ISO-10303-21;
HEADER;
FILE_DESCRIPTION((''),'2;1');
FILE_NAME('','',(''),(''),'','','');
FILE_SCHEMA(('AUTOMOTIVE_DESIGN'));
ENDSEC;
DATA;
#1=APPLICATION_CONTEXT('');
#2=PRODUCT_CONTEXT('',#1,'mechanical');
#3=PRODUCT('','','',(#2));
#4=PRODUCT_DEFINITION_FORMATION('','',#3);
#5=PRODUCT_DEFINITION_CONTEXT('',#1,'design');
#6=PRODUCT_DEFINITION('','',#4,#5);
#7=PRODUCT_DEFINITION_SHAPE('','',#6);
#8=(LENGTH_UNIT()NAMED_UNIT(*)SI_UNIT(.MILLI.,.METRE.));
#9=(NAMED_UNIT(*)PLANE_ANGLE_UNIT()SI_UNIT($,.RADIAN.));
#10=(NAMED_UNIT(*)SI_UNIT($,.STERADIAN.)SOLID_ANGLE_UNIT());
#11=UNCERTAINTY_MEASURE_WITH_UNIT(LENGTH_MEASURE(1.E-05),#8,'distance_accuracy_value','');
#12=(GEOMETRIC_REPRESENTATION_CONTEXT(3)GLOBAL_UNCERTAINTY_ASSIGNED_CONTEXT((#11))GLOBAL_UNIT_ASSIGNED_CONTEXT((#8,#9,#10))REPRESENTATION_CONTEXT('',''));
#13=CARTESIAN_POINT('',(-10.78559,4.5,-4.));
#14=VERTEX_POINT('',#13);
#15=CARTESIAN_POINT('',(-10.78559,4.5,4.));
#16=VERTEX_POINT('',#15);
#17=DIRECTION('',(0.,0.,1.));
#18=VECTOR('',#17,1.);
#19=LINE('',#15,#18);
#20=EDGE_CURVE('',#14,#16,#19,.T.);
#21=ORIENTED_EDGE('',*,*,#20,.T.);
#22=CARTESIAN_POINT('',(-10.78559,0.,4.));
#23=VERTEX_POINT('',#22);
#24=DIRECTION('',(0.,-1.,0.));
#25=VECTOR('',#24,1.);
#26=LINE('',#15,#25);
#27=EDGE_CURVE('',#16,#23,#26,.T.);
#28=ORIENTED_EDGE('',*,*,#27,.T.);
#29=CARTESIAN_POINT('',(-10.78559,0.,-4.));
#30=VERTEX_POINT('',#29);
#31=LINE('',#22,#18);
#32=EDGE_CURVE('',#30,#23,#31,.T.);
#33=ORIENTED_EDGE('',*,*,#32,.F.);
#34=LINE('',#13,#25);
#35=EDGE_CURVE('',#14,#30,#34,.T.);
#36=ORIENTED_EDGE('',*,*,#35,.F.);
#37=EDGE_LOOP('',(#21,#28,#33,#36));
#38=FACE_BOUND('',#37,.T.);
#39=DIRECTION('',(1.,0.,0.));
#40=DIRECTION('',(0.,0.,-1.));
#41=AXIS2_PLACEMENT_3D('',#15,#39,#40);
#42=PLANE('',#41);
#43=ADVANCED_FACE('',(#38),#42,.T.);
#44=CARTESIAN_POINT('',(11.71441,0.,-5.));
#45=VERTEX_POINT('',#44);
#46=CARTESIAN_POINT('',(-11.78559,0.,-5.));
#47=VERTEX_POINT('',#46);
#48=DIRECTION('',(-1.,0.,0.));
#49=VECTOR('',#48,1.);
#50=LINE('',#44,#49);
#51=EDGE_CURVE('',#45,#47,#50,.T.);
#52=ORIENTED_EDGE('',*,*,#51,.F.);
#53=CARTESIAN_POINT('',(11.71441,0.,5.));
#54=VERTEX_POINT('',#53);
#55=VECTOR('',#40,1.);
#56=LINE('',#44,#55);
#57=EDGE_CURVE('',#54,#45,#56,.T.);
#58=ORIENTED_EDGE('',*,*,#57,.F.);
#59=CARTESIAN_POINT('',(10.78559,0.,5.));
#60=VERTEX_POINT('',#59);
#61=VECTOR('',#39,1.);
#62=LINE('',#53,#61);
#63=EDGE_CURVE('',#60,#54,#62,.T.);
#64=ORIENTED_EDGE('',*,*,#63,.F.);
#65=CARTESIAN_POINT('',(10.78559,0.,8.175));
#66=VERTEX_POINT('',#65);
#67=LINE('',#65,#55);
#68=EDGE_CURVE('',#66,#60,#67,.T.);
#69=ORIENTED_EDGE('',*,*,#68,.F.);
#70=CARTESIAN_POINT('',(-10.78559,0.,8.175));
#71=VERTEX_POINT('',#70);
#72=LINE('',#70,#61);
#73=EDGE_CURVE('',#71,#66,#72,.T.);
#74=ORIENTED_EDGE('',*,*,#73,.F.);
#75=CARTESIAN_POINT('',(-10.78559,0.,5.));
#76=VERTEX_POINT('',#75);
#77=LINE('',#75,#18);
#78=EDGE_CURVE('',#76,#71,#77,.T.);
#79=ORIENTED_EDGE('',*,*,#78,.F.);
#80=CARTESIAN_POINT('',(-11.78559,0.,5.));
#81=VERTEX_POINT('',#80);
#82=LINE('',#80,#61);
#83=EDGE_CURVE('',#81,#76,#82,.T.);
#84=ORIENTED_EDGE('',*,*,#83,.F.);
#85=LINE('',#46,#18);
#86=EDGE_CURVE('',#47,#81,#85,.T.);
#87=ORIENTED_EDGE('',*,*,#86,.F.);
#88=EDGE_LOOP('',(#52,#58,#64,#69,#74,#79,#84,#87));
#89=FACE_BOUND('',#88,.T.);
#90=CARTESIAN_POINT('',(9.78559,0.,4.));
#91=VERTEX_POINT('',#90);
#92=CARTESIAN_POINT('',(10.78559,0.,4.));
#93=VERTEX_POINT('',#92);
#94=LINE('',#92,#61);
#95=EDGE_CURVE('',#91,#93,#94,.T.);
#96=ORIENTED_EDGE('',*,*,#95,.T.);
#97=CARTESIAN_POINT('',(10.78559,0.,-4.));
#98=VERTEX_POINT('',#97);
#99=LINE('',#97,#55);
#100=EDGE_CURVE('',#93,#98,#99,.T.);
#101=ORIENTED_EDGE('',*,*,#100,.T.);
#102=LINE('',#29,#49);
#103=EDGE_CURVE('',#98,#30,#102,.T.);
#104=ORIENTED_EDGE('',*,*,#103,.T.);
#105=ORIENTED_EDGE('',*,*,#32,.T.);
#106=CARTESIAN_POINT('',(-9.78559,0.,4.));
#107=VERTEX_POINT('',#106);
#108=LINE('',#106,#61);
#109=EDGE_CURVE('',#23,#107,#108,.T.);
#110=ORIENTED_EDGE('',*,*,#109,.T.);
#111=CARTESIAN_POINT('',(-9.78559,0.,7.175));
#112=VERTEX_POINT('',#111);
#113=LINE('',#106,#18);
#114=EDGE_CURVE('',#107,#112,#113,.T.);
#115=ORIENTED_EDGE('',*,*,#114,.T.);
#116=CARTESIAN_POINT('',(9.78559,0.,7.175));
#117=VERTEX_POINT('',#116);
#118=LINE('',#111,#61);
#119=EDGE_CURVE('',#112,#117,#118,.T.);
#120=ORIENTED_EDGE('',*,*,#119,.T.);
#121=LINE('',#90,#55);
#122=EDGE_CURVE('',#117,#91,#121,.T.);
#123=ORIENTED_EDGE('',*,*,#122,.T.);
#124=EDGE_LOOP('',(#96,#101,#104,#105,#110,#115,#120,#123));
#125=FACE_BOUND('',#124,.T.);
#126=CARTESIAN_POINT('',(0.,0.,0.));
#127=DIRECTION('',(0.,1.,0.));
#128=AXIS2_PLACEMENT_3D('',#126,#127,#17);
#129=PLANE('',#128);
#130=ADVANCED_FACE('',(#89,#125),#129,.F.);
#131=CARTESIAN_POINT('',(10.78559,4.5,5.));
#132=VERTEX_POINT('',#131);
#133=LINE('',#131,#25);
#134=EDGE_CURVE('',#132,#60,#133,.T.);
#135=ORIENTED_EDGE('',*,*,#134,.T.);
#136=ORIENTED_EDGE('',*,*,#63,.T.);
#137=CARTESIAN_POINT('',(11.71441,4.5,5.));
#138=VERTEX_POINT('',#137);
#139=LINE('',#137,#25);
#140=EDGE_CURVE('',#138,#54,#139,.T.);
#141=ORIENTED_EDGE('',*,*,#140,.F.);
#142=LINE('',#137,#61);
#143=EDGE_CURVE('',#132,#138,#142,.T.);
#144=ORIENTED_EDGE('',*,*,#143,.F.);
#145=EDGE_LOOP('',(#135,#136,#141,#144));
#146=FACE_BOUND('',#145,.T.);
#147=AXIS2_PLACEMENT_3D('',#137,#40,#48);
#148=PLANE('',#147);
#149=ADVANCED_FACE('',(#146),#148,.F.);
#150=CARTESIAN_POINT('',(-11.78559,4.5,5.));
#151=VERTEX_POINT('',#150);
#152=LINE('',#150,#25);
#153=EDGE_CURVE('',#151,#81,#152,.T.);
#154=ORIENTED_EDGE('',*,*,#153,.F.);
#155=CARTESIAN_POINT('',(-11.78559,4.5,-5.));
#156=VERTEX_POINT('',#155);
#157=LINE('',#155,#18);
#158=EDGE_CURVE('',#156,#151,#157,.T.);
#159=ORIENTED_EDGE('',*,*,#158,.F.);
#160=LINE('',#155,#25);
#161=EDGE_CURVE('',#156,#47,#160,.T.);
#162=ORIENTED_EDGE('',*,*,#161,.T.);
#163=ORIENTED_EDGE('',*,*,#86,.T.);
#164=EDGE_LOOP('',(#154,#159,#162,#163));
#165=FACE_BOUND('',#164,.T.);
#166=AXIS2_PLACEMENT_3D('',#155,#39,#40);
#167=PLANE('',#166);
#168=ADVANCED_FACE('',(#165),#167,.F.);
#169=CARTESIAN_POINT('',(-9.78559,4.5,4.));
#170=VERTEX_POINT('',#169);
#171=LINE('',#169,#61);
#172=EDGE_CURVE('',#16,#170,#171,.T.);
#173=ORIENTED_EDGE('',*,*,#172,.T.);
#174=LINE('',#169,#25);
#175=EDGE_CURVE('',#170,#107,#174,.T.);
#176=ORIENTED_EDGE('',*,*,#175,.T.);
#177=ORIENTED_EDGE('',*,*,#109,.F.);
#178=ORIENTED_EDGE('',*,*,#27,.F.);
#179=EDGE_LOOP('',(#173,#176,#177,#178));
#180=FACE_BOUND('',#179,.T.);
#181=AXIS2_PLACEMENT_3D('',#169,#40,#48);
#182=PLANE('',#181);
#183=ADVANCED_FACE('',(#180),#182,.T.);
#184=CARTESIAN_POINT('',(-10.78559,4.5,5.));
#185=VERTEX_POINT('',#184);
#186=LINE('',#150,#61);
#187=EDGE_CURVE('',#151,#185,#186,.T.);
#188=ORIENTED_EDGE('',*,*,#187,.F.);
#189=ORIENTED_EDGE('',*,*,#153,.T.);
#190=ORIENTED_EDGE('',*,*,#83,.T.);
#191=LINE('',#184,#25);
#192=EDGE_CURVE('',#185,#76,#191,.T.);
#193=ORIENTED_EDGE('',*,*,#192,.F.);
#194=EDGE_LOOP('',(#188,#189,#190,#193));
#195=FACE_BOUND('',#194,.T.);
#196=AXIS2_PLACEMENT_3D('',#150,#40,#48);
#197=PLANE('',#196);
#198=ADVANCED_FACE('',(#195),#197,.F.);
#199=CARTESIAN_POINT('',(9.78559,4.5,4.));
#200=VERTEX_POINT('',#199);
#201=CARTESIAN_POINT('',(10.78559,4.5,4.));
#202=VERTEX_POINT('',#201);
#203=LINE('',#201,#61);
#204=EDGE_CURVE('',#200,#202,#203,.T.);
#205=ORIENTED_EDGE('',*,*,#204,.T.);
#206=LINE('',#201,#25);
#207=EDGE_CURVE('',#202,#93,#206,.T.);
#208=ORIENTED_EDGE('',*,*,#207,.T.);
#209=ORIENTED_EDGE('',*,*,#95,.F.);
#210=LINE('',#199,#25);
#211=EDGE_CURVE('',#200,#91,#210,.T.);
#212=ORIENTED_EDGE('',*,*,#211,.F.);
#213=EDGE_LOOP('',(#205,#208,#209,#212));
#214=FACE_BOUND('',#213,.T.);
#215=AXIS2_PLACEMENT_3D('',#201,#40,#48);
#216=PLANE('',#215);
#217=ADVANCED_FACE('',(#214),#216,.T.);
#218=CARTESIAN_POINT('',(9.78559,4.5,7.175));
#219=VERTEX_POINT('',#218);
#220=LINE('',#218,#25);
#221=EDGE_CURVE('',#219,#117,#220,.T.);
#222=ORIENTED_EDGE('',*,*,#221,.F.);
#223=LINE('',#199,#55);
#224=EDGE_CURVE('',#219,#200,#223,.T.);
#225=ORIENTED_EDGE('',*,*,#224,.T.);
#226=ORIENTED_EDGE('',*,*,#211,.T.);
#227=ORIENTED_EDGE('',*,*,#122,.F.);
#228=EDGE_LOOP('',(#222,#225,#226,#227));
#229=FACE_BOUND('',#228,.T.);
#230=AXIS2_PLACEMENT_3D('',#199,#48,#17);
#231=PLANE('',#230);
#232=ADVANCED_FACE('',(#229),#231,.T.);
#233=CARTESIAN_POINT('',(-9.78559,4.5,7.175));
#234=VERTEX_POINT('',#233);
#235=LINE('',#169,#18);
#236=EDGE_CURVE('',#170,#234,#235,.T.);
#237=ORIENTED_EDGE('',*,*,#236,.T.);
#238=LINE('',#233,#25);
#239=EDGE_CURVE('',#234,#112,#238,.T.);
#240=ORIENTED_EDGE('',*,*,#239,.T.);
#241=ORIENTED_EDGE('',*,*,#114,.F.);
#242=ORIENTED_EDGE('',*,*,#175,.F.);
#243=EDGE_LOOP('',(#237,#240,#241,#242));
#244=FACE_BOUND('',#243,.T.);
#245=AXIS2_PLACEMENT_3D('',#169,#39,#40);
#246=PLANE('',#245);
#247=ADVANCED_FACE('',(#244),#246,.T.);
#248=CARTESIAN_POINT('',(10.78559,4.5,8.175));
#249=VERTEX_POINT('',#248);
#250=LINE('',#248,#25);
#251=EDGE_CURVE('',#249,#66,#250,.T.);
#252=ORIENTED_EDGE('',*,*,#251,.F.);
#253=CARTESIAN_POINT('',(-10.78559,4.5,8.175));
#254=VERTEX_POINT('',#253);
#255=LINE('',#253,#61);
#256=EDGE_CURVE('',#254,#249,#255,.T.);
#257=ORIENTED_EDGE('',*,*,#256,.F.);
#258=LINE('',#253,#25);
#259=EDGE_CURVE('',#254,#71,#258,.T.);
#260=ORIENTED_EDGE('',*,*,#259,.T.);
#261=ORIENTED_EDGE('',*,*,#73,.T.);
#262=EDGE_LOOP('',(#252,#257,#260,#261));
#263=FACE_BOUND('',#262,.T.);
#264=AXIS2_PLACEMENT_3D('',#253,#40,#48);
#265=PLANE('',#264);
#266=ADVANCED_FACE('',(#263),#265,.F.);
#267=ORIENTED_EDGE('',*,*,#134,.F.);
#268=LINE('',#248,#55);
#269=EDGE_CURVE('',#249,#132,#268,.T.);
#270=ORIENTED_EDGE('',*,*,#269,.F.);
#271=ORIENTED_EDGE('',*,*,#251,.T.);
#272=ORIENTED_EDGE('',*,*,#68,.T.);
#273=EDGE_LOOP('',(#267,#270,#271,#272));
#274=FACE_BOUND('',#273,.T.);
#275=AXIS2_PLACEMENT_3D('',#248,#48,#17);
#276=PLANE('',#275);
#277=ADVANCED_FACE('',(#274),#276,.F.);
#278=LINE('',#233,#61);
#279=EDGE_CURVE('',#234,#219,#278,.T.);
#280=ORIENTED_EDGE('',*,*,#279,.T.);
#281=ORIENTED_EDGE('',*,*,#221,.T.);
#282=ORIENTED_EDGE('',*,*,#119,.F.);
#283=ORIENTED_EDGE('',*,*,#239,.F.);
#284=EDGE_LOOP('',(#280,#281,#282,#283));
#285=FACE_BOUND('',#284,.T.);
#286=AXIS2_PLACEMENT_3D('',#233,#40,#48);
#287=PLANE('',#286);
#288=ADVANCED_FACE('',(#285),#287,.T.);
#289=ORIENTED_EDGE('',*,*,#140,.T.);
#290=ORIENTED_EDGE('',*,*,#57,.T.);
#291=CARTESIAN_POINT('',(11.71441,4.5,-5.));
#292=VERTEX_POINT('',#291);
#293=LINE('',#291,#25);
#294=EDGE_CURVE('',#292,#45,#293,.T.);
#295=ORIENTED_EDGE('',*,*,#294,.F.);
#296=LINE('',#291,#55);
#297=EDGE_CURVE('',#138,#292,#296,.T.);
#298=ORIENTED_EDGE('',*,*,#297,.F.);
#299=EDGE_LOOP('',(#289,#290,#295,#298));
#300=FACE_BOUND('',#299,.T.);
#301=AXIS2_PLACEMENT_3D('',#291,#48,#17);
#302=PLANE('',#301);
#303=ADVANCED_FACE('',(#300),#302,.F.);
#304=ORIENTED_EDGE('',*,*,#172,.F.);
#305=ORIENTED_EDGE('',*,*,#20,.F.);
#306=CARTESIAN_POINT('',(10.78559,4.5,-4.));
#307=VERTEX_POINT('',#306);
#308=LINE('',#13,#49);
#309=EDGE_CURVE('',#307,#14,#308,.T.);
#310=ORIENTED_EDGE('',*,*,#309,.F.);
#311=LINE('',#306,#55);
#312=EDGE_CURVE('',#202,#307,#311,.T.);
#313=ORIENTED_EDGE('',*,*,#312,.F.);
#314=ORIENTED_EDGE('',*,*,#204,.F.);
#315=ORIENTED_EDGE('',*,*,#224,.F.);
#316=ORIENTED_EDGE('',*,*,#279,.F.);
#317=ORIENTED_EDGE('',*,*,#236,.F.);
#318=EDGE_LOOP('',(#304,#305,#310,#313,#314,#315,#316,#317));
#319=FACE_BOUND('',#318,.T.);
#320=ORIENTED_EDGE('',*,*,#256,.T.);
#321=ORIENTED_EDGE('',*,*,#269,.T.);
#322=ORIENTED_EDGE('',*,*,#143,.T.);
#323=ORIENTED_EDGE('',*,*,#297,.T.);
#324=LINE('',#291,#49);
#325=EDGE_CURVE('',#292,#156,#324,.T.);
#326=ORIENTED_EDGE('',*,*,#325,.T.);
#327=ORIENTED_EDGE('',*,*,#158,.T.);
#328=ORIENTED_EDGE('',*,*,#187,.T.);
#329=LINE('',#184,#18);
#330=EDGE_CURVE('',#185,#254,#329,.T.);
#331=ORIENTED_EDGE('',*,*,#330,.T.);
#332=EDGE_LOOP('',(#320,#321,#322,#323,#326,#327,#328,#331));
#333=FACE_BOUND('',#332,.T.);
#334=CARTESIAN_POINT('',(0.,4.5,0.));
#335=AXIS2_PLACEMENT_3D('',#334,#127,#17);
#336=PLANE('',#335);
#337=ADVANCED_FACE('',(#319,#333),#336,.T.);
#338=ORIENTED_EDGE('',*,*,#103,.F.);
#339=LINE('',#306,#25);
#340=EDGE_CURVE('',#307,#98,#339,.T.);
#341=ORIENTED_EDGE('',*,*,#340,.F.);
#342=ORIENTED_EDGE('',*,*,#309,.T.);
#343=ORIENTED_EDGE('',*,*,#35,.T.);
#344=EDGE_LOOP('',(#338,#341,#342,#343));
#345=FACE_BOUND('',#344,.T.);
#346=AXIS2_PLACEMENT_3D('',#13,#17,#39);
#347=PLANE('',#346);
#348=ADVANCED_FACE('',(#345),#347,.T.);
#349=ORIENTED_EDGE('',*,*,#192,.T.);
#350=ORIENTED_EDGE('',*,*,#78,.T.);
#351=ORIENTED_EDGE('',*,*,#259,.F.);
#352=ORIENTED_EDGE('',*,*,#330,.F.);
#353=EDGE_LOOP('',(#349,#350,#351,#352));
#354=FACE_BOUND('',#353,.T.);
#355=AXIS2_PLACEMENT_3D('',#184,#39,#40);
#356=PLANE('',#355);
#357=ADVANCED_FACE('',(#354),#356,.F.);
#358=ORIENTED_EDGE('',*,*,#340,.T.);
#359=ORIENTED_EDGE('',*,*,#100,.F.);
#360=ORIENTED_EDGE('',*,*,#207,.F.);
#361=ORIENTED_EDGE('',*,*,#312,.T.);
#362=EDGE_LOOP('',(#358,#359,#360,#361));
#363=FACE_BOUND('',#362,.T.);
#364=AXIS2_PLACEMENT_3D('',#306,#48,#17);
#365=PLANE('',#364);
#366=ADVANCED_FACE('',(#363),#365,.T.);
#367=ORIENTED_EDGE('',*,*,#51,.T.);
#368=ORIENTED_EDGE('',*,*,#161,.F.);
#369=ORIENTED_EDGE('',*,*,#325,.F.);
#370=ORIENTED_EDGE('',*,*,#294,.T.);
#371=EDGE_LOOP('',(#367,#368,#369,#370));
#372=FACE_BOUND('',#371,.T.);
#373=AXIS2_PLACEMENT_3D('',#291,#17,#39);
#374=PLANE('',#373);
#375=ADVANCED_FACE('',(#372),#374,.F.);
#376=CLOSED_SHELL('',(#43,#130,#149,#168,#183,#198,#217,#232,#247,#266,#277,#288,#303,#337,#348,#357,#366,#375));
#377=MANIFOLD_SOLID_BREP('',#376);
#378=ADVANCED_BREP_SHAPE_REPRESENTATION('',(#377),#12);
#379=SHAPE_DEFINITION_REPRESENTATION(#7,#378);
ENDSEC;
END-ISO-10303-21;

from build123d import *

# Parameters (mm, degrees)
BOSS_EXTRUDE1_DEPTH = 4.5


with BuildPart() as part:
    # Sketch1 → Boss-Extrude1 (new body)
    with BuildSketch(Plane(origin=(0, 0, 0), x_dir=(1, 0, 0), z_dir=(0, 1, 0))):
        Polygon((11.714410298, 5), (11.714410298, -5), (10.785589702, -5), (10.785589702, -8.175), (-10.785589702, -8.175), (-10.785589702, -5), (-11.785589702, -5), (-11.785589702, 5), align=None)
        Polygon((10.785589702, 4), (10.785589702, -4), (9.785589702, -4), (9.785589702, -7.175), (-9.785589702, -7.175), (-9.785589702, -4), (-10.785589702, -4), (-10.785589702, 4), align=None, mode=Mode.SUBTRACT)
    extrude(amount=BOSS_EXTRUDE1_DEPTH)


solid = part.part
